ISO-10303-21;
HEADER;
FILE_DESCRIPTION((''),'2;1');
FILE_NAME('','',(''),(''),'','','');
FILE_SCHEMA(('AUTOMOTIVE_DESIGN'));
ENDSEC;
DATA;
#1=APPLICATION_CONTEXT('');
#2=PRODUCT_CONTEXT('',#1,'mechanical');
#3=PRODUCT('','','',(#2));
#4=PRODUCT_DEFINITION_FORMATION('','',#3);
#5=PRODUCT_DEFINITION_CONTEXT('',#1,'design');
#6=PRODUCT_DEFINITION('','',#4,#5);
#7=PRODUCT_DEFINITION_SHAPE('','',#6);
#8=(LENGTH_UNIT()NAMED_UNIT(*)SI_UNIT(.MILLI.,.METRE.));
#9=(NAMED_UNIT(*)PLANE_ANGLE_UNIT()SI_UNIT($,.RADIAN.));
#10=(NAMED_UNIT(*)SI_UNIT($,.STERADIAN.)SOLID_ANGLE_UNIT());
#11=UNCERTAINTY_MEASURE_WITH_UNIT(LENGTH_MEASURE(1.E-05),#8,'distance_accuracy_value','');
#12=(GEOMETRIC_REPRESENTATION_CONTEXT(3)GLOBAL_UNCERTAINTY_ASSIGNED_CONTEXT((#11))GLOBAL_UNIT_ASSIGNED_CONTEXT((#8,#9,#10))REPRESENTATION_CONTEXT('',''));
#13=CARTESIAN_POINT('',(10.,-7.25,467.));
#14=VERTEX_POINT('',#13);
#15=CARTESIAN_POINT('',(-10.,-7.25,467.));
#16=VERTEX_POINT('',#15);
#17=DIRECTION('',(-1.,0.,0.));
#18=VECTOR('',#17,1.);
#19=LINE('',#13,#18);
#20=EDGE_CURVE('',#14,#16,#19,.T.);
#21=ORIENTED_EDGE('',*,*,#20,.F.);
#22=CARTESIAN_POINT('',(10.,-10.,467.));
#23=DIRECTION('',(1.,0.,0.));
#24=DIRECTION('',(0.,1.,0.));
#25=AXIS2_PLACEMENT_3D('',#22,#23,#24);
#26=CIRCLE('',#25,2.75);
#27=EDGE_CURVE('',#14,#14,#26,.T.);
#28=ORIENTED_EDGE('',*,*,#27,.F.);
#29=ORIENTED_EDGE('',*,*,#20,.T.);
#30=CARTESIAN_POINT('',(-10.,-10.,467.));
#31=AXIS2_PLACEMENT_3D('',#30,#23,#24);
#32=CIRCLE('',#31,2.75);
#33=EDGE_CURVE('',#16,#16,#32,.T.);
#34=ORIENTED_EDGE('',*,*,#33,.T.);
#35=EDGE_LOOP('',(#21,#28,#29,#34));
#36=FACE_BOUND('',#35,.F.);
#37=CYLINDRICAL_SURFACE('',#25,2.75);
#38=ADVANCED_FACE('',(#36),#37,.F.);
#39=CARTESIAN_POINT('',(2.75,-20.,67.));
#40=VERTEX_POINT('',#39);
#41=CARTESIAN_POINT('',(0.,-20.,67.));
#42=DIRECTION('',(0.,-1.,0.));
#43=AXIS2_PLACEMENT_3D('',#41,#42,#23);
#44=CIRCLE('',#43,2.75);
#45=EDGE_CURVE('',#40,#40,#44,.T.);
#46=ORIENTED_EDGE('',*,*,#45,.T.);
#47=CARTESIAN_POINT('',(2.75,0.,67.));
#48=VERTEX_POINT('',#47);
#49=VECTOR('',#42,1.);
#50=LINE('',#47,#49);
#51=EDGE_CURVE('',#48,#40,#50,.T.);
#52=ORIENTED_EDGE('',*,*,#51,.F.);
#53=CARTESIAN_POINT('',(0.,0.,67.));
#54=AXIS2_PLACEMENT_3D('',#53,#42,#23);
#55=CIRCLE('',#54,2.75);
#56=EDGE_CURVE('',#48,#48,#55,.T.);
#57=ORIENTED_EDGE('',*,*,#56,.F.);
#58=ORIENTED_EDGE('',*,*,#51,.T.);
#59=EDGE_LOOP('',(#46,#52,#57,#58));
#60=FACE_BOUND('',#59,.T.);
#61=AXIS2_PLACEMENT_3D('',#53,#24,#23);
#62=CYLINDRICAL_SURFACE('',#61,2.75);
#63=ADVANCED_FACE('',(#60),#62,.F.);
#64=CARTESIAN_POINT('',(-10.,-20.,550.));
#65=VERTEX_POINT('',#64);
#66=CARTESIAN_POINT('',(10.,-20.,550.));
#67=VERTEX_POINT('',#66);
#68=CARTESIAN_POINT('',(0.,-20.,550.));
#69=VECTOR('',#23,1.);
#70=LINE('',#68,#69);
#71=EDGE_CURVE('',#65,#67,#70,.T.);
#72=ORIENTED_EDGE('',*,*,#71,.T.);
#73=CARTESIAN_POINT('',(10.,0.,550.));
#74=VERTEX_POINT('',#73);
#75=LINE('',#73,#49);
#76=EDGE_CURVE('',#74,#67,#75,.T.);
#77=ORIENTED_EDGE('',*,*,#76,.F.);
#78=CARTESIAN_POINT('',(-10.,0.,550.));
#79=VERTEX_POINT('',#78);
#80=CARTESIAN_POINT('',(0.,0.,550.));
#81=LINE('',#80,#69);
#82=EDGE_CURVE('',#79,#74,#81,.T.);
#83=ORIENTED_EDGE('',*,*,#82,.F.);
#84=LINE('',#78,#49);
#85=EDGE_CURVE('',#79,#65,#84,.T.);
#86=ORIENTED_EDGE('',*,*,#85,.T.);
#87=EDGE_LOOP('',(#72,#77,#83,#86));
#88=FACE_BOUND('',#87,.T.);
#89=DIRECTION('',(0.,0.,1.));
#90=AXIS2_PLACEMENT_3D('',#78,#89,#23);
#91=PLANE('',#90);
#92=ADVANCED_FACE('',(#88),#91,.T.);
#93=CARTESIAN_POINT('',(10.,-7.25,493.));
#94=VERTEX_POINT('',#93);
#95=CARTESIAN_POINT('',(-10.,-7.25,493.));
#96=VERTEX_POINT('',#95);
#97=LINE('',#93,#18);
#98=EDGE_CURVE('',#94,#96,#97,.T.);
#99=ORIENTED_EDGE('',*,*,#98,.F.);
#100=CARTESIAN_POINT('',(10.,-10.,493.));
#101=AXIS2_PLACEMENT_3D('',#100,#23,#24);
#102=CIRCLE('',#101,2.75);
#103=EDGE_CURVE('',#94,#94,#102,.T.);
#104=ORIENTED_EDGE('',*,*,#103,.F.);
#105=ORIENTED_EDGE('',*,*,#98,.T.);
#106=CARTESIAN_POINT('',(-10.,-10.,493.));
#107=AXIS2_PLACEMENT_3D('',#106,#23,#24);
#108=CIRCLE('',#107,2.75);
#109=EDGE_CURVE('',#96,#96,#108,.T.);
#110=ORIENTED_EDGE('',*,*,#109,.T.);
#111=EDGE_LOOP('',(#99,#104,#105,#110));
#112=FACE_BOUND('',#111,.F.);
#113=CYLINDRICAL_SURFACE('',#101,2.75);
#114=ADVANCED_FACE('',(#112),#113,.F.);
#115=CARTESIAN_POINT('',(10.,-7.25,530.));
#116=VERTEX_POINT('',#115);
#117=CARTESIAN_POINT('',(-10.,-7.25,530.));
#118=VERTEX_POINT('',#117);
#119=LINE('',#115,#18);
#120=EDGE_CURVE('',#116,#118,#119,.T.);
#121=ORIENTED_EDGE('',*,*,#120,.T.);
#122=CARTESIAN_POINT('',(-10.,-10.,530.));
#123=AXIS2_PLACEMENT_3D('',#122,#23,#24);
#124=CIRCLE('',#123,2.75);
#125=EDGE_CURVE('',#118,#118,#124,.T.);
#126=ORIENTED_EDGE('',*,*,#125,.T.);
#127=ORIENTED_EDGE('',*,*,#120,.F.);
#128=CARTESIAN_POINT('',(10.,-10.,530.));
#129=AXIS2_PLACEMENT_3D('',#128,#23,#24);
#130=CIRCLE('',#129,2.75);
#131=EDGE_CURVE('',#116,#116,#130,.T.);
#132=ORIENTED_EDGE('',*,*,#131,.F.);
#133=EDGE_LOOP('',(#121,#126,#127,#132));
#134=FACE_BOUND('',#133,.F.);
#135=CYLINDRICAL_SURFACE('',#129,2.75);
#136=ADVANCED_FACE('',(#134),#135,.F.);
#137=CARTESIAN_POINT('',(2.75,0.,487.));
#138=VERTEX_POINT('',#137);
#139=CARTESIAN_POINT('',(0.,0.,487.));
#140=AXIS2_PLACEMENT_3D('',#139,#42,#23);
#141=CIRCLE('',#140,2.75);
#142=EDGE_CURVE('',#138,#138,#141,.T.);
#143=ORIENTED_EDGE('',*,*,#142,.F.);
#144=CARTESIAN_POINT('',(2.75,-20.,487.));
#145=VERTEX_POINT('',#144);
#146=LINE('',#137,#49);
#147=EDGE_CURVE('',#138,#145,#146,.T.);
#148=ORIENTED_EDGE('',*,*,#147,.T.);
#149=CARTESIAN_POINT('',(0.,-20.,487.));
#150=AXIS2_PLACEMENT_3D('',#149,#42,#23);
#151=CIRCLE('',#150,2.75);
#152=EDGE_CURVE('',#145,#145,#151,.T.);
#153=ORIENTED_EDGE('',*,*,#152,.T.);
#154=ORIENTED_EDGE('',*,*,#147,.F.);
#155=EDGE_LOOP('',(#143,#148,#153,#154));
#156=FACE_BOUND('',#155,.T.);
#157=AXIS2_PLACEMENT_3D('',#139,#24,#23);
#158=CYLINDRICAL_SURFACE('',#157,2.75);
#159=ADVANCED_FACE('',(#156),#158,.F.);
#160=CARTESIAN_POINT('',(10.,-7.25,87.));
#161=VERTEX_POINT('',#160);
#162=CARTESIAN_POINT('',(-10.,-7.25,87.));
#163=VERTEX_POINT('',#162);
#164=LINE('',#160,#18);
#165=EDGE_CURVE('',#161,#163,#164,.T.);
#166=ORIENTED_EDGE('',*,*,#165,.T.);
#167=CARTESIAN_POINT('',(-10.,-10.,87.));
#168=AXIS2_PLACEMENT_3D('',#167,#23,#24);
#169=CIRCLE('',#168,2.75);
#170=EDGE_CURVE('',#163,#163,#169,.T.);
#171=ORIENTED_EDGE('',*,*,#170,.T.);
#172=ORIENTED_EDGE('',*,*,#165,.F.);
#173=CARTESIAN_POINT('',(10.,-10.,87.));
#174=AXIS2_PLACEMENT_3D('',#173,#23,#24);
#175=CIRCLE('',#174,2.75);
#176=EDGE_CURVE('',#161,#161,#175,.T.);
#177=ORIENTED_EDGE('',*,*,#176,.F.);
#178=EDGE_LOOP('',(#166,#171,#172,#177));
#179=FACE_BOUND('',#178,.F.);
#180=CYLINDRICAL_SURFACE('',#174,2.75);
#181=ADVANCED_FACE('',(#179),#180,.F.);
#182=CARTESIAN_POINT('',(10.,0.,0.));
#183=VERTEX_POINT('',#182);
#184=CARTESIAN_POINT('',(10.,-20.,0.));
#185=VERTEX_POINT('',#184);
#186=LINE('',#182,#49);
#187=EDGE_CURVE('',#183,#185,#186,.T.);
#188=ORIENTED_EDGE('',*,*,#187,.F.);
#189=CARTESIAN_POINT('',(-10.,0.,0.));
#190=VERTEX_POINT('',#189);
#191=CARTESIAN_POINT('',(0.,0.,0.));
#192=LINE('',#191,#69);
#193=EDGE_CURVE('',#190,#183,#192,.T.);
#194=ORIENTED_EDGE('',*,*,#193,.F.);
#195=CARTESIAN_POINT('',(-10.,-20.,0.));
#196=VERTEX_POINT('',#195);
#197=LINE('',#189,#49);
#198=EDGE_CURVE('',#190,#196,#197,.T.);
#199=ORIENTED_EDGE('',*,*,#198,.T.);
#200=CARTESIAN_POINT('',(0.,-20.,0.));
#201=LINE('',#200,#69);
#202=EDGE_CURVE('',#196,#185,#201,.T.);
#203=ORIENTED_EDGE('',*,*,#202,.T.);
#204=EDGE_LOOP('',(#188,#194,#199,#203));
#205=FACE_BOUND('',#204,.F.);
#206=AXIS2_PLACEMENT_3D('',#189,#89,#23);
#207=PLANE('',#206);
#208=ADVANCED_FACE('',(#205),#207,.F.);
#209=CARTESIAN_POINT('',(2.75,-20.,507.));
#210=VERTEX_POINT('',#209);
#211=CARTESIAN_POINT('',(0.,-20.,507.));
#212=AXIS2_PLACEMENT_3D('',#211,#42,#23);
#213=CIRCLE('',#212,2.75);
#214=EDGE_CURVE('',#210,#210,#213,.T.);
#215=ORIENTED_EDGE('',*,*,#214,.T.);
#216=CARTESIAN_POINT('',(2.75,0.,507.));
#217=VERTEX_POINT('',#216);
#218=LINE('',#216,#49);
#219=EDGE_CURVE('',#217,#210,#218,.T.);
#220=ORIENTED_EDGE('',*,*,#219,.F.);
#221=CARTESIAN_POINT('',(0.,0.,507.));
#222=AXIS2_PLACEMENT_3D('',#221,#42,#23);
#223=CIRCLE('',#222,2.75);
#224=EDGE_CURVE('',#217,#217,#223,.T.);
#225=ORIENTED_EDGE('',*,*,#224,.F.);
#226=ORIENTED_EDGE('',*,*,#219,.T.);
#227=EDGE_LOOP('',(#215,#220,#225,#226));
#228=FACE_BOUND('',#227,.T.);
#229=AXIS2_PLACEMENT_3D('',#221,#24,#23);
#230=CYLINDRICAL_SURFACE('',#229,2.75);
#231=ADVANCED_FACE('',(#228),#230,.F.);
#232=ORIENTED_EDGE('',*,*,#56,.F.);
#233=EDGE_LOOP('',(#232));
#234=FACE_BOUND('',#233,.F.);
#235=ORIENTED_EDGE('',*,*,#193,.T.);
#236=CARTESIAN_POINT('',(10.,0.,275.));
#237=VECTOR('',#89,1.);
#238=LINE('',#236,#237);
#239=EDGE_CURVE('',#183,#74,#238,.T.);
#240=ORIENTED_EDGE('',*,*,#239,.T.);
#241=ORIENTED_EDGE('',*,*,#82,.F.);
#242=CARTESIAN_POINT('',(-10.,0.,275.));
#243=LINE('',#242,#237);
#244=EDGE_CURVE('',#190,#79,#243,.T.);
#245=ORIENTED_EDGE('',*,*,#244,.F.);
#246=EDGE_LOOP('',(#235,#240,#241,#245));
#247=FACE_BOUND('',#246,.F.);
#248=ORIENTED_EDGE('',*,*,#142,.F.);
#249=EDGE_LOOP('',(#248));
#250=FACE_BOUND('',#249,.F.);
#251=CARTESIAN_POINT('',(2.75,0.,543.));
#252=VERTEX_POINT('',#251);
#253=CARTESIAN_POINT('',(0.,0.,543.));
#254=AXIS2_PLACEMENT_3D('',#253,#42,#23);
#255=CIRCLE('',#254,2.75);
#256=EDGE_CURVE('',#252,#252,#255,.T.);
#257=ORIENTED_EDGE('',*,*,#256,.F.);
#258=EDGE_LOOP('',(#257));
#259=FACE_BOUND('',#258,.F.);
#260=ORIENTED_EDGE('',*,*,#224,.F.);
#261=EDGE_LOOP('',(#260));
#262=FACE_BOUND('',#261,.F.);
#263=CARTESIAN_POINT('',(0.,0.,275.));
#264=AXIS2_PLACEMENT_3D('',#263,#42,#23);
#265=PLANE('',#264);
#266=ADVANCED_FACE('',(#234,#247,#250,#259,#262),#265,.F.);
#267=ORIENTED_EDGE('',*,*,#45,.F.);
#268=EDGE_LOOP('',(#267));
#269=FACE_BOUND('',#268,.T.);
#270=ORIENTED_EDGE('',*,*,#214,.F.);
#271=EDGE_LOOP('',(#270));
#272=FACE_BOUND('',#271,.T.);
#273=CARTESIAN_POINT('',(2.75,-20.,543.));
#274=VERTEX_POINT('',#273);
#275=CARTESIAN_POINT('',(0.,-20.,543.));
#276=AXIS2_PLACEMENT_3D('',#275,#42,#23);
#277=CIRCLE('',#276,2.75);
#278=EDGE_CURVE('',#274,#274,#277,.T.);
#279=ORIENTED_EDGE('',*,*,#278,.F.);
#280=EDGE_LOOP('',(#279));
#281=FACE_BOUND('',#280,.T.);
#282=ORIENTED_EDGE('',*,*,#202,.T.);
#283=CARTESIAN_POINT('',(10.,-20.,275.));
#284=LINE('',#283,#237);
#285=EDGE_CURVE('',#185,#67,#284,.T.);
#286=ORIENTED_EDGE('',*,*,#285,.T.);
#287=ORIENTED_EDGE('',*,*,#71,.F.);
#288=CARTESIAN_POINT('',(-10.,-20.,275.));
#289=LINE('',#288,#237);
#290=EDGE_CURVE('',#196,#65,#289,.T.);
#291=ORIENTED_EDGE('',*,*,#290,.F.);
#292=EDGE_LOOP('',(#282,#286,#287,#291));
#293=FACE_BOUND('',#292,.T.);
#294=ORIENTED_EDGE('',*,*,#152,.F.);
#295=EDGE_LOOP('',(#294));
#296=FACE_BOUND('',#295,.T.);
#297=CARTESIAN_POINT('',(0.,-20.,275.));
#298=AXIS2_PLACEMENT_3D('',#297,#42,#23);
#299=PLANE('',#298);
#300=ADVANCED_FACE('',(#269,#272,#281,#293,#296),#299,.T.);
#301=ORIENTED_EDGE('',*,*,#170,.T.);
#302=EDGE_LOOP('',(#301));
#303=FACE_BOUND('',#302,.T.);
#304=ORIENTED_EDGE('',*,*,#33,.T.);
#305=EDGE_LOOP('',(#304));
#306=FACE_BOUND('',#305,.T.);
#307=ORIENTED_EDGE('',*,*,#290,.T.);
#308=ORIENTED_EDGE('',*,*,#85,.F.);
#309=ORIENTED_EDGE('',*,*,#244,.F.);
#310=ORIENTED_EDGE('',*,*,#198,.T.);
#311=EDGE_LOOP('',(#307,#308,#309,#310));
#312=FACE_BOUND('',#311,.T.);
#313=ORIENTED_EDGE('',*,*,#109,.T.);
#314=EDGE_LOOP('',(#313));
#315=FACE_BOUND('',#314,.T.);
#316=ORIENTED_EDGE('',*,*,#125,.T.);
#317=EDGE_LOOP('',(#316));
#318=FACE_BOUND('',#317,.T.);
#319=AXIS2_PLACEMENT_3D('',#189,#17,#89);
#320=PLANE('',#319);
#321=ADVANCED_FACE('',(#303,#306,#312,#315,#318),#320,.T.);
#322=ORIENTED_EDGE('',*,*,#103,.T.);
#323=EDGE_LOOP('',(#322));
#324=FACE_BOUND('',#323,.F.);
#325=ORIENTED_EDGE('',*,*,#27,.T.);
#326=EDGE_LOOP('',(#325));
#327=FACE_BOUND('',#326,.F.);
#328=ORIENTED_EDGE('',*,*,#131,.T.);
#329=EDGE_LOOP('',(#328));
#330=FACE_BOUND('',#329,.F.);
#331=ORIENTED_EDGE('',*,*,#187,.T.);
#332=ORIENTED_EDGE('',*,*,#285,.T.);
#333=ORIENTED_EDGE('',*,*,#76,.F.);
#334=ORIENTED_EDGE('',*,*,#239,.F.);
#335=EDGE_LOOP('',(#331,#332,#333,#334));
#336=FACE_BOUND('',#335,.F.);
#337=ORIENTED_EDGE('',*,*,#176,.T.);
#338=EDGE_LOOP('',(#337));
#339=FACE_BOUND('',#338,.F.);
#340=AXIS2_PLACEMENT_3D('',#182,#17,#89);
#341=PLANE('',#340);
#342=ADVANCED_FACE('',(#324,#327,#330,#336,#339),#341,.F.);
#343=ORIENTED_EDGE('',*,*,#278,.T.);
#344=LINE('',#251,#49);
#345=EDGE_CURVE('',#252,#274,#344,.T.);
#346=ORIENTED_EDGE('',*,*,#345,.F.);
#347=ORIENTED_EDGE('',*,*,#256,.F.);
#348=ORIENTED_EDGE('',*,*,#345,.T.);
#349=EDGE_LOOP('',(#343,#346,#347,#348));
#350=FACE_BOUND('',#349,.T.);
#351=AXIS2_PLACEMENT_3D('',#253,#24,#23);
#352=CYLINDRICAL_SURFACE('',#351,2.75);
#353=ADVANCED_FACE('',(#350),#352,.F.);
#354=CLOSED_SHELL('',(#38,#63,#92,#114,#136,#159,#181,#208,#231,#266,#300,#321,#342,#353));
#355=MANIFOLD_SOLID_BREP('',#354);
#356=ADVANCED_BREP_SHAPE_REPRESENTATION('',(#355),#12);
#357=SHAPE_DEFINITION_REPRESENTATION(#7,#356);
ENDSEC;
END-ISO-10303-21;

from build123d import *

# Parameters (mm, degrees)
F0_W     = 20
F0_H     = 550
F0_R     = 2.75
F1_DEPTH = 20
F2_R     = 2.75
F3_DEPTH = 20


with BuildPart() as f1:
    # F0 (on Front) → F1 (new body)
    with BuildSketch(Plane.XZ):
        with Locations((0, 275)):
            Rectangle(F0_W, F0_H)
        with Locations((0, 67)):
            Circle(F0_R, mode=Mode.SUBTRACT)
        with Locations((0, 487)):
            Circle(F0_R, mode=Mode.SUBTRACT)
        with Locations((0, 507)):
            Circle(F0_R, mode=Mode.SUBTRACT)
        with Locations((0, 543)):
            Circle(F0_R, mode=Mode.SUBTRACT)
    extrude(amount=F1_DEPTH)

    # F2 (on face) → F3 (cut)
    with BuildSketch(Plane.YZ.offset(10)):
        with Locations((-10, 530)):
            Circle(F2_R)
        with Locations((-10, 493)):
            Circle(F2_R)
        with Locations((-10, 467)):
            Circle(F2_R)
        with Locations((-10, 87)):
            Circle(F2_R)
    extrude(amount=-F3_DEPTH, mode=Mode.SUBTRACT)


solid = f1.part
